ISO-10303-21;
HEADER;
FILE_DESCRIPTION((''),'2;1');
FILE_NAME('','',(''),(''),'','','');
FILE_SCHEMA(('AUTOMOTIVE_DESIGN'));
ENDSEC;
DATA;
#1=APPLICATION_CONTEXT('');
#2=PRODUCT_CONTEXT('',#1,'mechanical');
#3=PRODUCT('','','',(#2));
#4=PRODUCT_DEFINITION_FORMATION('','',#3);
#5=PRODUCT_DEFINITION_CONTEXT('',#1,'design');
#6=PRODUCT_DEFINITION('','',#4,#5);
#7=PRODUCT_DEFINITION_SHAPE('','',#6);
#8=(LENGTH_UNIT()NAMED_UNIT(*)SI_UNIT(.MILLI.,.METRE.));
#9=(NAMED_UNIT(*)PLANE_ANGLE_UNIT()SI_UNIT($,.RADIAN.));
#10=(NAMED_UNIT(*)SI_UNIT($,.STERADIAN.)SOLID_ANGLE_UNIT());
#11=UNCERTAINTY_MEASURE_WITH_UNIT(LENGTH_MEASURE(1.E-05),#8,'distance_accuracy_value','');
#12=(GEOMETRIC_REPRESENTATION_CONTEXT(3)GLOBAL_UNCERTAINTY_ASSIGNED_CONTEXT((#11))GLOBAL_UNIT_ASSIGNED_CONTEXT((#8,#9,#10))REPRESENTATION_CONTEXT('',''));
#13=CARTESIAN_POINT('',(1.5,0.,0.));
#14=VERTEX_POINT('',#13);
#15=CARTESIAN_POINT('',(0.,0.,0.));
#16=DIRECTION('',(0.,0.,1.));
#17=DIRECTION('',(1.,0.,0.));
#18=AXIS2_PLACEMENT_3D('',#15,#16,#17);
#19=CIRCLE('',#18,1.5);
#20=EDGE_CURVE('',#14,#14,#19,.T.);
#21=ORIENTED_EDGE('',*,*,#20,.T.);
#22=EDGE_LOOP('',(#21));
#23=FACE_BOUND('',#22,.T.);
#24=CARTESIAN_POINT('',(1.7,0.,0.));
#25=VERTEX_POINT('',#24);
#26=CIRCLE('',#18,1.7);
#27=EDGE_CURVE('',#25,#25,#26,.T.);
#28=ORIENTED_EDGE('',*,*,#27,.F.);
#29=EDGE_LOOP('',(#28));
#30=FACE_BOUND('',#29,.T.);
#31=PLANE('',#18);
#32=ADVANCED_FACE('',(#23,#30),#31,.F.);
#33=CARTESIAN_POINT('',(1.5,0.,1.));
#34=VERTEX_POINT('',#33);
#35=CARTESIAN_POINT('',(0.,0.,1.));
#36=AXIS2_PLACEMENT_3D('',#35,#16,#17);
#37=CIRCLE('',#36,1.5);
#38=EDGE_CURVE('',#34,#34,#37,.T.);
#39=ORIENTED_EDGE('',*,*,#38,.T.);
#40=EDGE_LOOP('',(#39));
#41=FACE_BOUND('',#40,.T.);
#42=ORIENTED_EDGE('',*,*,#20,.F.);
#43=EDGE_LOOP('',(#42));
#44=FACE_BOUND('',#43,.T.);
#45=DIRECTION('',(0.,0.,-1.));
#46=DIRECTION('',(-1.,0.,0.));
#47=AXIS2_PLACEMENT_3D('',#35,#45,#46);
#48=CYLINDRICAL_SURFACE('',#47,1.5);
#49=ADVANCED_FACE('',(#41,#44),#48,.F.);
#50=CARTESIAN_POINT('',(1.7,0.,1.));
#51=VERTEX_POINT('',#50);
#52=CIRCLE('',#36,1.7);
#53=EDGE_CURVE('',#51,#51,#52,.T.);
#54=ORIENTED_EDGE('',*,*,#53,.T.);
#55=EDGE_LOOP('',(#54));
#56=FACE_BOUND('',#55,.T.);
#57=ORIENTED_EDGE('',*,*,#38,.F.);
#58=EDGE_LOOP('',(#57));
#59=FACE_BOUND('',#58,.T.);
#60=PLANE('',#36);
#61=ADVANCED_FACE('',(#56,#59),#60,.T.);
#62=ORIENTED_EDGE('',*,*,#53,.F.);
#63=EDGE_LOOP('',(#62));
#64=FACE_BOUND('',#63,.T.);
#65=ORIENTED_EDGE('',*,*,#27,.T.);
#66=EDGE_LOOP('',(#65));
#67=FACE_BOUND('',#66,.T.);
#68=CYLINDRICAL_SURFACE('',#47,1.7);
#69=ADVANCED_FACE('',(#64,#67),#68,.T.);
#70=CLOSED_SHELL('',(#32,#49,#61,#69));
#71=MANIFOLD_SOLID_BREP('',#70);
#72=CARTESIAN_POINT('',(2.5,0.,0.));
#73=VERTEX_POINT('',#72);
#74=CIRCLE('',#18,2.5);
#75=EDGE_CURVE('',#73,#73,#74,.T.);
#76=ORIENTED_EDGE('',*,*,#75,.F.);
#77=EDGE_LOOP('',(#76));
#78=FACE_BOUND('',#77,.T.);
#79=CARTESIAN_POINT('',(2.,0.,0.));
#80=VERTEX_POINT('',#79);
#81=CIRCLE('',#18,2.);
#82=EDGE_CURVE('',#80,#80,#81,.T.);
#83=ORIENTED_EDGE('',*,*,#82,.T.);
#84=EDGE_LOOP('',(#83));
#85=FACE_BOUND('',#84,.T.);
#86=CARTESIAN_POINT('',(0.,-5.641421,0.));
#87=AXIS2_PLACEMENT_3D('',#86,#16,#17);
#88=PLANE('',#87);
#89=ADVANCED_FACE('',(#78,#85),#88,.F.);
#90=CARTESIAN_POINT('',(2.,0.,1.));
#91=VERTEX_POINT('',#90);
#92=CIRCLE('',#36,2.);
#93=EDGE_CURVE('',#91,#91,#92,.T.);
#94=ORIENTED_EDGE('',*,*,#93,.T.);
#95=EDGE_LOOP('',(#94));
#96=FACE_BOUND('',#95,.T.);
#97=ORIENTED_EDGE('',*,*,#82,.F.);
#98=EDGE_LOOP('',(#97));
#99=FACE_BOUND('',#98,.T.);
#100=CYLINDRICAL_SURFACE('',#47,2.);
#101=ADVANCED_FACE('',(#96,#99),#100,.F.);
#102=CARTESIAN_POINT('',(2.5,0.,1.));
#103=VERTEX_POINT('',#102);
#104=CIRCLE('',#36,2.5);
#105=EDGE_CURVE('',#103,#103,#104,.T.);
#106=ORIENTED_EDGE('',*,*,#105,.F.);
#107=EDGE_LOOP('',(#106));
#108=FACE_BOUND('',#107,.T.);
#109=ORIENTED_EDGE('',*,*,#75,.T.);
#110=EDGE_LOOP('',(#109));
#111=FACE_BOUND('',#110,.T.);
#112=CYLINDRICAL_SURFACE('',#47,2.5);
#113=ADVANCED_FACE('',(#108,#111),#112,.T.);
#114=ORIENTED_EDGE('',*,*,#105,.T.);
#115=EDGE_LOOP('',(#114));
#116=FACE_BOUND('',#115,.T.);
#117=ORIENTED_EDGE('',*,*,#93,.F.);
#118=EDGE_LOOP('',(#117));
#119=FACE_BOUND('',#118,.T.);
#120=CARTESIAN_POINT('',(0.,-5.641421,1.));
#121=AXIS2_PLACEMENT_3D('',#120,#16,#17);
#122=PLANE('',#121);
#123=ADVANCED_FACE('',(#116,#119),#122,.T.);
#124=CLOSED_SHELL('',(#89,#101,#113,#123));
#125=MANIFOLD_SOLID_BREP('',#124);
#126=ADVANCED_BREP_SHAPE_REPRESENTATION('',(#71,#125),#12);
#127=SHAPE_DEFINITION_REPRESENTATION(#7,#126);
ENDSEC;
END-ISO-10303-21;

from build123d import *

# Parameters (mm, degrees)
SKETCH1_R           = 2.5
SKETCH1_R_2         = 2
BOSS_EXTRUDE1_DEPTH = 1
SKETCH2_R           = 1.7
SKETCH2_R_2         = 1.5
BOSS_EXTRUDE2_DEPTH = 1


with BuildPart() as part:
    # Sketch1 → Boss-Extrude1 (new body)
    with BuildSketch(Plane.XY):
        Circle(SKETCH1_R)
        Circle(SKETCH1_R_2, mode=Mode.SUBTRACT)
    extrude(amount=BOSS_EXTRUDE1_DEPTH)


with BuildPart() as body_2:
    # Sketch2 → Boss-Extrude2 (new body)
    with BuildSketch(Plane.XY):
        Circle(SKETCH2_R)
        Circle(SKETCH2_R_2, mode=Mode.SUBTRACT)
    extrude(amount=BOSS_EXTRUDE2_DEPTH)


solid = Compound([part.part, body_2.part])
